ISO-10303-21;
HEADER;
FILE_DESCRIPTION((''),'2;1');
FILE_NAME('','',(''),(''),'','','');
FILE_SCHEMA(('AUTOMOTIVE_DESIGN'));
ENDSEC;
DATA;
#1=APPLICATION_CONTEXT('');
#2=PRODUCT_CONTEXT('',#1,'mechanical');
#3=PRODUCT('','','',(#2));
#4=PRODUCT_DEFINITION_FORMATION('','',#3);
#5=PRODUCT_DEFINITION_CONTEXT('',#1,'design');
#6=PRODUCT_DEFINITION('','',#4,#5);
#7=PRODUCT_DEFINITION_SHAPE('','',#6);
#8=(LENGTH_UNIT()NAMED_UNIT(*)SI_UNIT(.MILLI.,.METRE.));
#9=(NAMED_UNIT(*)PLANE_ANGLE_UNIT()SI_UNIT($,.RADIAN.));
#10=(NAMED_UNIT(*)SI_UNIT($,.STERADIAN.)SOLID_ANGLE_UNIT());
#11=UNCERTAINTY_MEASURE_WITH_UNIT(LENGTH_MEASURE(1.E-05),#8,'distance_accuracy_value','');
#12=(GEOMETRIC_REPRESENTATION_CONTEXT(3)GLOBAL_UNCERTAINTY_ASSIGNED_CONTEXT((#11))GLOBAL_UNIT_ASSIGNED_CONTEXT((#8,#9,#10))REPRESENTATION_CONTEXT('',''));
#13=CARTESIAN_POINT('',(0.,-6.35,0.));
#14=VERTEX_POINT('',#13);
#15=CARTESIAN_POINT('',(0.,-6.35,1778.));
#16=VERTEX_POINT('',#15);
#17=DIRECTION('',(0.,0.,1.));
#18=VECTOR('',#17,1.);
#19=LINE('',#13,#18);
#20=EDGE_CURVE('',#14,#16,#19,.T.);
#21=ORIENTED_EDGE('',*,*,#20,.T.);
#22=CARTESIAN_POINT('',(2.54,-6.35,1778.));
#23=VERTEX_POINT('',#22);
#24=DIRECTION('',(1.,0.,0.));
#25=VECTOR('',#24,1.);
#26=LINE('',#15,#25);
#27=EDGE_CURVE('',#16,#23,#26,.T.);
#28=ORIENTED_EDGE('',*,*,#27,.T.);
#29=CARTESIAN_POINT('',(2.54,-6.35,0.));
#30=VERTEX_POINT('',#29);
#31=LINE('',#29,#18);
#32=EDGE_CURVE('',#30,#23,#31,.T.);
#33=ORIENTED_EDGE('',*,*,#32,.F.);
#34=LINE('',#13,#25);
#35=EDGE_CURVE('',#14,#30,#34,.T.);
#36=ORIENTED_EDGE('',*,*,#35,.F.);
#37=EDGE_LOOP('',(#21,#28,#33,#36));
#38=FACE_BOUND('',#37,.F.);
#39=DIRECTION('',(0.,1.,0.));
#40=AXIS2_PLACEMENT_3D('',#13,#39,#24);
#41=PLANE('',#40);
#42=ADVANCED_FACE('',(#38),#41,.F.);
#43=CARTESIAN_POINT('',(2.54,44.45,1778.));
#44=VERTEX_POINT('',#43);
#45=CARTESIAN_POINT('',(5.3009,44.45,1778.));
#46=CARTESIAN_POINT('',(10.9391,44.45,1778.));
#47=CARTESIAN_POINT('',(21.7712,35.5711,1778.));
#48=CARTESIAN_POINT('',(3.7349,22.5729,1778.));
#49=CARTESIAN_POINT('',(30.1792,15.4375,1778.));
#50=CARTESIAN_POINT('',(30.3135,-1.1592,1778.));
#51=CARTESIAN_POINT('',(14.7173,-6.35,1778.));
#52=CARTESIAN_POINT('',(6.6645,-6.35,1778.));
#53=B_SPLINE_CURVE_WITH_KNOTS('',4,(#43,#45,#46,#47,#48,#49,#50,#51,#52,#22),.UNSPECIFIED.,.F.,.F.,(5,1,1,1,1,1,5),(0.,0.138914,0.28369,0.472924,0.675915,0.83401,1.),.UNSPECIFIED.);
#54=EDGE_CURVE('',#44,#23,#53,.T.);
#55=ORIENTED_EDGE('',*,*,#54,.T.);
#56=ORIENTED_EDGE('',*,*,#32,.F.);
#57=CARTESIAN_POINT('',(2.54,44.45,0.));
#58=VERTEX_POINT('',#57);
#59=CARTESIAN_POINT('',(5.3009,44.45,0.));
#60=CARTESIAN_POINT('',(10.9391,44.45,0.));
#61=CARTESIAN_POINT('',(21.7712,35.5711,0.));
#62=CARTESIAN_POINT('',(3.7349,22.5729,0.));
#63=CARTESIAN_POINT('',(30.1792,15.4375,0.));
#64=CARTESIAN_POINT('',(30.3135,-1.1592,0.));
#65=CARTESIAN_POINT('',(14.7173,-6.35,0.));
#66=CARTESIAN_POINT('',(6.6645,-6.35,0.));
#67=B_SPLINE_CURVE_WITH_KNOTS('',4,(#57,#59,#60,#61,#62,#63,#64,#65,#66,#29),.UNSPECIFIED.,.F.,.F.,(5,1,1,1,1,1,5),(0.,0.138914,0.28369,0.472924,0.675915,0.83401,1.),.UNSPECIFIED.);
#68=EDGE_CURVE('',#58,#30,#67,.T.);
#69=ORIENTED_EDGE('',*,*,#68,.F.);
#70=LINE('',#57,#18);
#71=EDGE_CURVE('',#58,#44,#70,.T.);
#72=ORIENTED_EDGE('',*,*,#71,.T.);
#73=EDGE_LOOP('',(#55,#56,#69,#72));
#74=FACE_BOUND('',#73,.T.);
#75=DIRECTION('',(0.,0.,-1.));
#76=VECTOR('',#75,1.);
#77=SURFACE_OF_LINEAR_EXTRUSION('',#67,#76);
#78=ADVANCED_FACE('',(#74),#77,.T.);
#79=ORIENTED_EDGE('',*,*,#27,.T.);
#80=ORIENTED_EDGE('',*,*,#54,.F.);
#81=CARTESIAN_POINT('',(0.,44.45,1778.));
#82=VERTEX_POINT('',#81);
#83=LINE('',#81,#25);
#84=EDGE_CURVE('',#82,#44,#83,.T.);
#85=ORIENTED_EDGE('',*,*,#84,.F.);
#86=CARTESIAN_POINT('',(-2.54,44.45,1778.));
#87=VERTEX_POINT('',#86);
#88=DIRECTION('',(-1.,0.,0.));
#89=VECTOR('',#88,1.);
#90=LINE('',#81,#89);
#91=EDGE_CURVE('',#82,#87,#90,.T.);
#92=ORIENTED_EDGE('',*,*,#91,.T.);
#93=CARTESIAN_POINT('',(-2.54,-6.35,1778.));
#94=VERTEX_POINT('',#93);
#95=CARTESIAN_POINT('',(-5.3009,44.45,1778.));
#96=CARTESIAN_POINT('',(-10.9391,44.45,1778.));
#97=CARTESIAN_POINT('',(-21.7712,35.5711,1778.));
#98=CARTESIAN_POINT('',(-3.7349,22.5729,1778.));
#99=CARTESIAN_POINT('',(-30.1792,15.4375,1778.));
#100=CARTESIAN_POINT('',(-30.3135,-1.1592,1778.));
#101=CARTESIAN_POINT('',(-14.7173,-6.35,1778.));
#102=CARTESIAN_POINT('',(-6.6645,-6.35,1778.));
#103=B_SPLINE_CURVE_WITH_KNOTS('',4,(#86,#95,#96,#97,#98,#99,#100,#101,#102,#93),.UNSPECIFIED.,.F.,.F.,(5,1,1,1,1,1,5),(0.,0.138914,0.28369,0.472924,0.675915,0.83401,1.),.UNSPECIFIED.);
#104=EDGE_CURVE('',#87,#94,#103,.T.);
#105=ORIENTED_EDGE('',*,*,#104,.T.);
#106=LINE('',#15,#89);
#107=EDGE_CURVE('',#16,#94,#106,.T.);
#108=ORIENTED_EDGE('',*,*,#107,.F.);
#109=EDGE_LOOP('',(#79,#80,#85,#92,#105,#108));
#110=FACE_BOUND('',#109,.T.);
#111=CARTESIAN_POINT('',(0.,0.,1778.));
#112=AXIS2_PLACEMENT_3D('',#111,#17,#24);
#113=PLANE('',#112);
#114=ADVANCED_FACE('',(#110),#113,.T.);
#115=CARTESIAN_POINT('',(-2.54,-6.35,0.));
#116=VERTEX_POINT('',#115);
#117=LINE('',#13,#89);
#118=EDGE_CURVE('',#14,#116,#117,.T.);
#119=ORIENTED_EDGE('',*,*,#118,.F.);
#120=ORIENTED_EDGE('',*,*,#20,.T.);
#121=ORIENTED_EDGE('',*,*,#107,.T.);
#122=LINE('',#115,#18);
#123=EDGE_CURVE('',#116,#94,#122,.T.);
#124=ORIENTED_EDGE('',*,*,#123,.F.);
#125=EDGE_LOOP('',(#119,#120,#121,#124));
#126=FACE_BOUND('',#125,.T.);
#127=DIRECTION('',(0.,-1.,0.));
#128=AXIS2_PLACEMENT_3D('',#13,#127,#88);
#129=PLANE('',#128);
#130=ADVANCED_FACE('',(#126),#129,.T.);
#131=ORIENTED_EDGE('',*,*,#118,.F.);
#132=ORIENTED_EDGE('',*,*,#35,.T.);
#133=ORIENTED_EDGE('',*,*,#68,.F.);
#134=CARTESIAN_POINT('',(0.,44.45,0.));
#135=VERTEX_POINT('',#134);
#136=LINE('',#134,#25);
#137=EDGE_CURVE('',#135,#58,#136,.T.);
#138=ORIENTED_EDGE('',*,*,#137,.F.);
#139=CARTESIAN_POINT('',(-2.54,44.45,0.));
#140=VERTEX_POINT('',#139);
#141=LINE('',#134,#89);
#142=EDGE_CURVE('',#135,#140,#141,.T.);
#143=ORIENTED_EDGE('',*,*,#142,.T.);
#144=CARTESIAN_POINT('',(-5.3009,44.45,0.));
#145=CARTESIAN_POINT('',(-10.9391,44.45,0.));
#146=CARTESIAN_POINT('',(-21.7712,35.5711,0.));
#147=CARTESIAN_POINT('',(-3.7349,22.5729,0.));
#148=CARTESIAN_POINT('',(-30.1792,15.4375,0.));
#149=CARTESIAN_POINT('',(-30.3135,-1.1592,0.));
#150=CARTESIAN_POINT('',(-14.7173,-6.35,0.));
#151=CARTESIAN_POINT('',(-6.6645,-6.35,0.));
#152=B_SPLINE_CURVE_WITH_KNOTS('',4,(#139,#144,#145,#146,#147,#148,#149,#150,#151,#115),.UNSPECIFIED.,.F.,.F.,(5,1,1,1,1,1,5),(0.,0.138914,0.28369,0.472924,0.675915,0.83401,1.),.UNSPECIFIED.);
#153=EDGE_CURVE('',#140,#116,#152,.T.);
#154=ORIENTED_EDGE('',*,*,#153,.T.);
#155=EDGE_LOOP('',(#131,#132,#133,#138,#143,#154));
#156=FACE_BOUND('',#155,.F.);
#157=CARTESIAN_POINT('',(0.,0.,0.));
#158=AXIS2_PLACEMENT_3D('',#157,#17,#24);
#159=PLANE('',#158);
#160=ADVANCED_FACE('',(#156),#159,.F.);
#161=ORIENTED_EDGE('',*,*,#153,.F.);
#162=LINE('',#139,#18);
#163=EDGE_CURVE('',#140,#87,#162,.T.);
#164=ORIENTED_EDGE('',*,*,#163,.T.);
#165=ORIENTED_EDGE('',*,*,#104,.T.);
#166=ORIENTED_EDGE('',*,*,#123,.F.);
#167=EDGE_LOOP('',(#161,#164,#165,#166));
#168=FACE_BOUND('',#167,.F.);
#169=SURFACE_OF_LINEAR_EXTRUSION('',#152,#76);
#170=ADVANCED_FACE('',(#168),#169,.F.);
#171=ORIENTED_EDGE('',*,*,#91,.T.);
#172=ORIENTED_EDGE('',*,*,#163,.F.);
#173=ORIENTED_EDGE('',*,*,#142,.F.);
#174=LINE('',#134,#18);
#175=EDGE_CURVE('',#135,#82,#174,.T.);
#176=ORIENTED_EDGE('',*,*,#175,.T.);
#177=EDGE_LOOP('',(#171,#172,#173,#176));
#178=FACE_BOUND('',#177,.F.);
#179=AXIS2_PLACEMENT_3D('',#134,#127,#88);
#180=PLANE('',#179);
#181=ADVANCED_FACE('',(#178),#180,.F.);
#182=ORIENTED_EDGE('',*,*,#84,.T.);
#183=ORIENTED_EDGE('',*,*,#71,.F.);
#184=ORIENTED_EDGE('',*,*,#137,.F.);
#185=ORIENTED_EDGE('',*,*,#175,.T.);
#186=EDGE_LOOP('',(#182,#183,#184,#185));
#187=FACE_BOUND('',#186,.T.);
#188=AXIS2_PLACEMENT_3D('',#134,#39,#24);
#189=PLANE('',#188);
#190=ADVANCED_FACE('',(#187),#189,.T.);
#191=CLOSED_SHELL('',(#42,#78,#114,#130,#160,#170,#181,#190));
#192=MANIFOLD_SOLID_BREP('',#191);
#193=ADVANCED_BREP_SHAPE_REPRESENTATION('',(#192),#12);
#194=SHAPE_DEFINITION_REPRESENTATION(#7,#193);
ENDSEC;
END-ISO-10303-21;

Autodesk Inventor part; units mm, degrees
ref_plane "YZ Plane" through (0, 0, 0) normal (1, 0, 0) x (0, 1, 0)
ref_plane "XZ Plane" through (0, 0, 0) normal (0, 1, 0) x (-1, 0, 0)
ref_plane "XY Plane" through (0, 0, 0) normal (0, 0, 1) x (1, 0, 0)
sketch "Sketch1" plane through (0, 0, 0) normal (0, 0, 1) x (1, 0, 0)
  line L0 (0, 0) -> (25.4, 0) construction
  line L1 (0, 38.1) -> (15.24, 38.1) construction
  line L2 (0, 25.4) -> (12.7, 25.4) construction
  line L3 (0, 44.45) -> (2.54, 44.45)
  line L4 (0, -6.35) -> (2.54, -6.35)
  line L5 (0, 12.7) -> (25.4, 12.7) construction
  line L6 (0, 44.45) -> (0, -6.35) construction
  spline S0 degree 4 poles (2.54, 44.45) (5.3009, 44.45) (10.9391, 44.45) (21.7712, 35.5711) (3.7349, 22.5729) (30.1792, 15.4375) (30.3135, -1.1592) (14.7173, -6.35) (6.6645, -6.35) (2.54, -6.35) knots 0 0 0 0 0 0.138914 0.28369 0.472924 0.675915 0.83401 1 1 1 1 1
  line L7 (0, 44.45) -> (-2.54, 44.45)
  line L8 (0, -6.35) -> (-2.54, -6.35)
  spline S1 degree 4 poles (-2.54, 44.45) (-5.3009, 44.45) (-10.9391, 44.45) (-21.7712, 35.5711) (-3.7349, 22.5729) (-30.1792, 15.4375) (-30.3135, -1.1592) (-14.7173, -6.35) (-6.6645, -6.35) (-2.54, -6.35) knots 0 0 0 0 0 0.138914 0.28369 0.472924 0.675915 0.83401 1 1 1 1 1
  point P0 (-25.4, 0)
  point P1 (-15.24, 38.1)
  point P2 (-12.7, 25.4)
  point P3 (-25.4, 12.7)
  dimension "d0" = 25.4
  dimension "d2" = 15.24
  dimension "d3" = 12.7
  dimension "d9" = 2.54
  dimension "d10" = 2.54
  dimension "d11" = 25.4
  dimension "d13" = 6.35
  dimension "d14" = 12.7
  dimension "d15" = 12.7
  dimension "d16" = 12.7
  dimension "d17" = 6.35
extrude "Extrusion1" add sketch "Sketch1" along normal blind 1778
properties part number "Front Railing" material "Wood (Cherry)"
